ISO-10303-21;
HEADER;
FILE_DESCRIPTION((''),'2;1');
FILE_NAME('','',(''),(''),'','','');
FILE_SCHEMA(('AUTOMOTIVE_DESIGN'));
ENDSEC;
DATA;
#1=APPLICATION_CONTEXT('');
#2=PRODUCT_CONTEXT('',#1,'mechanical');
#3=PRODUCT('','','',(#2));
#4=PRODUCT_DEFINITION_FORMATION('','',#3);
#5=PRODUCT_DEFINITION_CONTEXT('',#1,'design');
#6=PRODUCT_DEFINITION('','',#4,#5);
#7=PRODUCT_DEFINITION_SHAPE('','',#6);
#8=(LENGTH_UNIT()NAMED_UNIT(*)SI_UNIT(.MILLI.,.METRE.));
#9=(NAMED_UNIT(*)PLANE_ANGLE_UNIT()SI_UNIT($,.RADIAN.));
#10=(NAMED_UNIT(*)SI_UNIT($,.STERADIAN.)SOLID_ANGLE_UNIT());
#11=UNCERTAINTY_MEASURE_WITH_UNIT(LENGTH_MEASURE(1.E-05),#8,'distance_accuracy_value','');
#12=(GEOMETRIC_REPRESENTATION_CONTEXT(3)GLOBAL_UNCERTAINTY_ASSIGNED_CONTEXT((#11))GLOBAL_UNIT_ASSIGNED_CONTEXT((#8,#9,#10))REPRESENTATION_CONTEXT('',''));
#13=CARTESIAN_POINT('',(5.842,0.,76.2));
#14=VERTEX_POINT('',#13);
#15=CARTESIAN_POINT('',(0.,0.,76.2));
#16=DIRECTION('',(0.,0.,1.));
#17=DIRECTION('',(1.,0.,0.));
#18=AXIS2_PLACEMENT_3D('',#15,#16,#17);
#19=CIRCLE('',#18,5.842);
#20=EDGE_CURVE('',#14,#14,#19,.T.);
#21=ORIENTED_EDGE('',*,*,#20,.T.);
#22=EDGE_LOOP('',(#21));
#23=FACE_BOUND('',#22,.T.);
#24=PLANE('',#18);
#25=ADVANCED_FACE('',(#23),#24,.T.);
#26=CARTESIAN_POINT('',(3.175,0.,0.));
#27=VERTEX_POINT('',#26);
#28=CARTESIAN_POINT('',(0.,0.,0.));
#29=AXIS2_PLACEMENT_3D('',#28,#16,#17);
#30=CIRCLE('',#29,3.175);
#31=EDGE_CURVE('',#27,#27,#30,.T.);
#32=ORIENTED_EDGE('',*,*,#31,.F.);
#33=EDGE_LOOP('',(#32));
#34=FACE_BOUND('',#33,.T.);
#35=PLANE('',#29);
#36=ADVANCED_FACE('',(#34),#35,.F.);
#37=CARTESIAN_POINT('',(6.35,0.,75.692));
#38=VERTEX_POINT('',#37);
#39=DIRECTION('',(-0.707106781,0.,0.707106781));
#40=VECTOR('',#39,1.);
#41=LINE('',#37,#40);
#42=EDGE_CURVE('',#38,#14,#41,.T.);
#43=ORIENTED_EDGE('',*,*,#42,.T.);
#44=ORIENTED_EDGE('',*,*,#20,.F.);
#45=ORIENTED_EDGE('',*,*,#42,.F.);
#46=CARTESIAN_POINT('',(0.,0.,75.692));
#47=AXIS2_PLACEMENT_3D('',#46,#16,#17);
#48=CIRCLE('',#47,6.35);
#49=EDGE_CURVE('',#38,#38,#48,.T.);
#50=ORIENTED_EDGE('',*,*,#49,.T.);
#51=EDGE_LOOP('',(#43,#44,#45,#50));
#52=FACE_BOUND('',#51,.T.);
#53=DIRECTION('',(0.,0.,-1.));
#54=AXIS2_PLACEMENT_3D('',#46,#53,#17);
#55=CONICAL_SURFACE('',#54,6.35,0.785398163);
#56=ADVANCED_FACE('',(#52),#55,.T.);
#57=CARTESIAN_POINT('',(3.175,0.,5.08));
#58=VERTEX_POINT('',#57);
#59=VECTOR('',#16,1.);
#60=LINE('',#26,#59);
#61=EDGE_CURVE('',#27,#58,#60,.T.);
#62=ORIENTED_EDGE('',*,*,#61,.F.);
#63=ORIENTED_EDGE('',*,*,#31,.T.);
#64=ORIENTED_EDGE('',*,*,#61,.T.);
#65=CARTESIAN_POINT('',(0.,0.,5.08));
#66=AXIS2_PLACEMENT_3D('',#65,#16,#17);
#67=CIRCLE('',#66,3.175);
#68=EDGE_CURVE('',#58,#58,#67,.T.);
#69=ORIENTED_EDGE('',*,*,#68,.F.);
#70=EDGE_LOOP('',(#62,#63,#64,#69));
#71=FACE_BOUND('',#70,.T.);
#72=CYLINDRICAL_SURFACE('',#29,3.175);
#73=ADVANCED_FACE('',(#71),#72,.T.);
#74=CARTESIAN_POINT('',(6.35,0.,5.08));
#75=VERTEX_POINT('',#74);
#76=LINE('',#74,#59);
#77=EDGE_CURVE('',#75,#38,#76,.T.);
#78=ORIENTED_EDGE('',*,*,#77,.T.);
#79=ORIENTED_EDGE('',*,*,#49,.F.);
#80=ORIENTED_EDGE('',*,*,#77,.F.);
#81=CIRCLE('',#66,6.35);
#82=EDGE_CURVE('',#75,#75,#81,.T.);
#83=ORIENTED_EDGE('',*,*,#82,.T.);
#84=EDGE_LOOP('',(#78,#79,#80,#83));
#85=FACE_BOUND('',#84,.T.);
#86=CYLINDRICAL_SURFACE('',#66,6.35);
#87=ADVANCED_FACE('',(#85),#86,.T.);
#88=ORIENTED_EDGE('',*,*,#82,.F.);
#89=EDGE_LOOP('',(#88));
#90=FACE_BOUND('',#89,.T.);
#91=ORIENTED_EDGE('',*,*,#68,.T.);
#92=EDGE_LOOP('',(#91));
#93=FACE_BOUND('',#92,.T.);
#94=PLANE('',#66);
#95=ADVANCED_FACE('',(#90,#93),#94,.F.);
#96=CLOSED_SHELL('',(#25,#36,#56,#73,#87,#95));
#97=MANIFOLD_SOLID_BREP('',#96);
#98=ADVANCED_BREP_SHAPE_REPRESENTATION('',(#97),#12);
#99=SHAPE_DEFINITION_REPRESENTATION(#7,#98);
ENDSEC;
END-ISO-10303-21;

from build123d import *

# Parameters (mm, degrees)
F2_SIZE = 0.508


with BuildPart() as f1:
    # F0 (on Front) → F1 (revolve)
    with BuildSketch(Plane.XZ):
        Polygon((0, 76.2), (0, 0), (3.175, 0), (3.175, 5.08), (6.35, 5.08), (6.35, 76.2), align=None)
    revolve(axis=Axis((0, 0, 38.1), (0, 0, 1)))

    # F2
    f2_edges = [f1.edges().sort_by_distance(p)[0] for p in [
        (-6.35, 0, 76.2),
    ]]
    chamfer(f2_edges, length=F2_SIZE)


solid = f1.part
